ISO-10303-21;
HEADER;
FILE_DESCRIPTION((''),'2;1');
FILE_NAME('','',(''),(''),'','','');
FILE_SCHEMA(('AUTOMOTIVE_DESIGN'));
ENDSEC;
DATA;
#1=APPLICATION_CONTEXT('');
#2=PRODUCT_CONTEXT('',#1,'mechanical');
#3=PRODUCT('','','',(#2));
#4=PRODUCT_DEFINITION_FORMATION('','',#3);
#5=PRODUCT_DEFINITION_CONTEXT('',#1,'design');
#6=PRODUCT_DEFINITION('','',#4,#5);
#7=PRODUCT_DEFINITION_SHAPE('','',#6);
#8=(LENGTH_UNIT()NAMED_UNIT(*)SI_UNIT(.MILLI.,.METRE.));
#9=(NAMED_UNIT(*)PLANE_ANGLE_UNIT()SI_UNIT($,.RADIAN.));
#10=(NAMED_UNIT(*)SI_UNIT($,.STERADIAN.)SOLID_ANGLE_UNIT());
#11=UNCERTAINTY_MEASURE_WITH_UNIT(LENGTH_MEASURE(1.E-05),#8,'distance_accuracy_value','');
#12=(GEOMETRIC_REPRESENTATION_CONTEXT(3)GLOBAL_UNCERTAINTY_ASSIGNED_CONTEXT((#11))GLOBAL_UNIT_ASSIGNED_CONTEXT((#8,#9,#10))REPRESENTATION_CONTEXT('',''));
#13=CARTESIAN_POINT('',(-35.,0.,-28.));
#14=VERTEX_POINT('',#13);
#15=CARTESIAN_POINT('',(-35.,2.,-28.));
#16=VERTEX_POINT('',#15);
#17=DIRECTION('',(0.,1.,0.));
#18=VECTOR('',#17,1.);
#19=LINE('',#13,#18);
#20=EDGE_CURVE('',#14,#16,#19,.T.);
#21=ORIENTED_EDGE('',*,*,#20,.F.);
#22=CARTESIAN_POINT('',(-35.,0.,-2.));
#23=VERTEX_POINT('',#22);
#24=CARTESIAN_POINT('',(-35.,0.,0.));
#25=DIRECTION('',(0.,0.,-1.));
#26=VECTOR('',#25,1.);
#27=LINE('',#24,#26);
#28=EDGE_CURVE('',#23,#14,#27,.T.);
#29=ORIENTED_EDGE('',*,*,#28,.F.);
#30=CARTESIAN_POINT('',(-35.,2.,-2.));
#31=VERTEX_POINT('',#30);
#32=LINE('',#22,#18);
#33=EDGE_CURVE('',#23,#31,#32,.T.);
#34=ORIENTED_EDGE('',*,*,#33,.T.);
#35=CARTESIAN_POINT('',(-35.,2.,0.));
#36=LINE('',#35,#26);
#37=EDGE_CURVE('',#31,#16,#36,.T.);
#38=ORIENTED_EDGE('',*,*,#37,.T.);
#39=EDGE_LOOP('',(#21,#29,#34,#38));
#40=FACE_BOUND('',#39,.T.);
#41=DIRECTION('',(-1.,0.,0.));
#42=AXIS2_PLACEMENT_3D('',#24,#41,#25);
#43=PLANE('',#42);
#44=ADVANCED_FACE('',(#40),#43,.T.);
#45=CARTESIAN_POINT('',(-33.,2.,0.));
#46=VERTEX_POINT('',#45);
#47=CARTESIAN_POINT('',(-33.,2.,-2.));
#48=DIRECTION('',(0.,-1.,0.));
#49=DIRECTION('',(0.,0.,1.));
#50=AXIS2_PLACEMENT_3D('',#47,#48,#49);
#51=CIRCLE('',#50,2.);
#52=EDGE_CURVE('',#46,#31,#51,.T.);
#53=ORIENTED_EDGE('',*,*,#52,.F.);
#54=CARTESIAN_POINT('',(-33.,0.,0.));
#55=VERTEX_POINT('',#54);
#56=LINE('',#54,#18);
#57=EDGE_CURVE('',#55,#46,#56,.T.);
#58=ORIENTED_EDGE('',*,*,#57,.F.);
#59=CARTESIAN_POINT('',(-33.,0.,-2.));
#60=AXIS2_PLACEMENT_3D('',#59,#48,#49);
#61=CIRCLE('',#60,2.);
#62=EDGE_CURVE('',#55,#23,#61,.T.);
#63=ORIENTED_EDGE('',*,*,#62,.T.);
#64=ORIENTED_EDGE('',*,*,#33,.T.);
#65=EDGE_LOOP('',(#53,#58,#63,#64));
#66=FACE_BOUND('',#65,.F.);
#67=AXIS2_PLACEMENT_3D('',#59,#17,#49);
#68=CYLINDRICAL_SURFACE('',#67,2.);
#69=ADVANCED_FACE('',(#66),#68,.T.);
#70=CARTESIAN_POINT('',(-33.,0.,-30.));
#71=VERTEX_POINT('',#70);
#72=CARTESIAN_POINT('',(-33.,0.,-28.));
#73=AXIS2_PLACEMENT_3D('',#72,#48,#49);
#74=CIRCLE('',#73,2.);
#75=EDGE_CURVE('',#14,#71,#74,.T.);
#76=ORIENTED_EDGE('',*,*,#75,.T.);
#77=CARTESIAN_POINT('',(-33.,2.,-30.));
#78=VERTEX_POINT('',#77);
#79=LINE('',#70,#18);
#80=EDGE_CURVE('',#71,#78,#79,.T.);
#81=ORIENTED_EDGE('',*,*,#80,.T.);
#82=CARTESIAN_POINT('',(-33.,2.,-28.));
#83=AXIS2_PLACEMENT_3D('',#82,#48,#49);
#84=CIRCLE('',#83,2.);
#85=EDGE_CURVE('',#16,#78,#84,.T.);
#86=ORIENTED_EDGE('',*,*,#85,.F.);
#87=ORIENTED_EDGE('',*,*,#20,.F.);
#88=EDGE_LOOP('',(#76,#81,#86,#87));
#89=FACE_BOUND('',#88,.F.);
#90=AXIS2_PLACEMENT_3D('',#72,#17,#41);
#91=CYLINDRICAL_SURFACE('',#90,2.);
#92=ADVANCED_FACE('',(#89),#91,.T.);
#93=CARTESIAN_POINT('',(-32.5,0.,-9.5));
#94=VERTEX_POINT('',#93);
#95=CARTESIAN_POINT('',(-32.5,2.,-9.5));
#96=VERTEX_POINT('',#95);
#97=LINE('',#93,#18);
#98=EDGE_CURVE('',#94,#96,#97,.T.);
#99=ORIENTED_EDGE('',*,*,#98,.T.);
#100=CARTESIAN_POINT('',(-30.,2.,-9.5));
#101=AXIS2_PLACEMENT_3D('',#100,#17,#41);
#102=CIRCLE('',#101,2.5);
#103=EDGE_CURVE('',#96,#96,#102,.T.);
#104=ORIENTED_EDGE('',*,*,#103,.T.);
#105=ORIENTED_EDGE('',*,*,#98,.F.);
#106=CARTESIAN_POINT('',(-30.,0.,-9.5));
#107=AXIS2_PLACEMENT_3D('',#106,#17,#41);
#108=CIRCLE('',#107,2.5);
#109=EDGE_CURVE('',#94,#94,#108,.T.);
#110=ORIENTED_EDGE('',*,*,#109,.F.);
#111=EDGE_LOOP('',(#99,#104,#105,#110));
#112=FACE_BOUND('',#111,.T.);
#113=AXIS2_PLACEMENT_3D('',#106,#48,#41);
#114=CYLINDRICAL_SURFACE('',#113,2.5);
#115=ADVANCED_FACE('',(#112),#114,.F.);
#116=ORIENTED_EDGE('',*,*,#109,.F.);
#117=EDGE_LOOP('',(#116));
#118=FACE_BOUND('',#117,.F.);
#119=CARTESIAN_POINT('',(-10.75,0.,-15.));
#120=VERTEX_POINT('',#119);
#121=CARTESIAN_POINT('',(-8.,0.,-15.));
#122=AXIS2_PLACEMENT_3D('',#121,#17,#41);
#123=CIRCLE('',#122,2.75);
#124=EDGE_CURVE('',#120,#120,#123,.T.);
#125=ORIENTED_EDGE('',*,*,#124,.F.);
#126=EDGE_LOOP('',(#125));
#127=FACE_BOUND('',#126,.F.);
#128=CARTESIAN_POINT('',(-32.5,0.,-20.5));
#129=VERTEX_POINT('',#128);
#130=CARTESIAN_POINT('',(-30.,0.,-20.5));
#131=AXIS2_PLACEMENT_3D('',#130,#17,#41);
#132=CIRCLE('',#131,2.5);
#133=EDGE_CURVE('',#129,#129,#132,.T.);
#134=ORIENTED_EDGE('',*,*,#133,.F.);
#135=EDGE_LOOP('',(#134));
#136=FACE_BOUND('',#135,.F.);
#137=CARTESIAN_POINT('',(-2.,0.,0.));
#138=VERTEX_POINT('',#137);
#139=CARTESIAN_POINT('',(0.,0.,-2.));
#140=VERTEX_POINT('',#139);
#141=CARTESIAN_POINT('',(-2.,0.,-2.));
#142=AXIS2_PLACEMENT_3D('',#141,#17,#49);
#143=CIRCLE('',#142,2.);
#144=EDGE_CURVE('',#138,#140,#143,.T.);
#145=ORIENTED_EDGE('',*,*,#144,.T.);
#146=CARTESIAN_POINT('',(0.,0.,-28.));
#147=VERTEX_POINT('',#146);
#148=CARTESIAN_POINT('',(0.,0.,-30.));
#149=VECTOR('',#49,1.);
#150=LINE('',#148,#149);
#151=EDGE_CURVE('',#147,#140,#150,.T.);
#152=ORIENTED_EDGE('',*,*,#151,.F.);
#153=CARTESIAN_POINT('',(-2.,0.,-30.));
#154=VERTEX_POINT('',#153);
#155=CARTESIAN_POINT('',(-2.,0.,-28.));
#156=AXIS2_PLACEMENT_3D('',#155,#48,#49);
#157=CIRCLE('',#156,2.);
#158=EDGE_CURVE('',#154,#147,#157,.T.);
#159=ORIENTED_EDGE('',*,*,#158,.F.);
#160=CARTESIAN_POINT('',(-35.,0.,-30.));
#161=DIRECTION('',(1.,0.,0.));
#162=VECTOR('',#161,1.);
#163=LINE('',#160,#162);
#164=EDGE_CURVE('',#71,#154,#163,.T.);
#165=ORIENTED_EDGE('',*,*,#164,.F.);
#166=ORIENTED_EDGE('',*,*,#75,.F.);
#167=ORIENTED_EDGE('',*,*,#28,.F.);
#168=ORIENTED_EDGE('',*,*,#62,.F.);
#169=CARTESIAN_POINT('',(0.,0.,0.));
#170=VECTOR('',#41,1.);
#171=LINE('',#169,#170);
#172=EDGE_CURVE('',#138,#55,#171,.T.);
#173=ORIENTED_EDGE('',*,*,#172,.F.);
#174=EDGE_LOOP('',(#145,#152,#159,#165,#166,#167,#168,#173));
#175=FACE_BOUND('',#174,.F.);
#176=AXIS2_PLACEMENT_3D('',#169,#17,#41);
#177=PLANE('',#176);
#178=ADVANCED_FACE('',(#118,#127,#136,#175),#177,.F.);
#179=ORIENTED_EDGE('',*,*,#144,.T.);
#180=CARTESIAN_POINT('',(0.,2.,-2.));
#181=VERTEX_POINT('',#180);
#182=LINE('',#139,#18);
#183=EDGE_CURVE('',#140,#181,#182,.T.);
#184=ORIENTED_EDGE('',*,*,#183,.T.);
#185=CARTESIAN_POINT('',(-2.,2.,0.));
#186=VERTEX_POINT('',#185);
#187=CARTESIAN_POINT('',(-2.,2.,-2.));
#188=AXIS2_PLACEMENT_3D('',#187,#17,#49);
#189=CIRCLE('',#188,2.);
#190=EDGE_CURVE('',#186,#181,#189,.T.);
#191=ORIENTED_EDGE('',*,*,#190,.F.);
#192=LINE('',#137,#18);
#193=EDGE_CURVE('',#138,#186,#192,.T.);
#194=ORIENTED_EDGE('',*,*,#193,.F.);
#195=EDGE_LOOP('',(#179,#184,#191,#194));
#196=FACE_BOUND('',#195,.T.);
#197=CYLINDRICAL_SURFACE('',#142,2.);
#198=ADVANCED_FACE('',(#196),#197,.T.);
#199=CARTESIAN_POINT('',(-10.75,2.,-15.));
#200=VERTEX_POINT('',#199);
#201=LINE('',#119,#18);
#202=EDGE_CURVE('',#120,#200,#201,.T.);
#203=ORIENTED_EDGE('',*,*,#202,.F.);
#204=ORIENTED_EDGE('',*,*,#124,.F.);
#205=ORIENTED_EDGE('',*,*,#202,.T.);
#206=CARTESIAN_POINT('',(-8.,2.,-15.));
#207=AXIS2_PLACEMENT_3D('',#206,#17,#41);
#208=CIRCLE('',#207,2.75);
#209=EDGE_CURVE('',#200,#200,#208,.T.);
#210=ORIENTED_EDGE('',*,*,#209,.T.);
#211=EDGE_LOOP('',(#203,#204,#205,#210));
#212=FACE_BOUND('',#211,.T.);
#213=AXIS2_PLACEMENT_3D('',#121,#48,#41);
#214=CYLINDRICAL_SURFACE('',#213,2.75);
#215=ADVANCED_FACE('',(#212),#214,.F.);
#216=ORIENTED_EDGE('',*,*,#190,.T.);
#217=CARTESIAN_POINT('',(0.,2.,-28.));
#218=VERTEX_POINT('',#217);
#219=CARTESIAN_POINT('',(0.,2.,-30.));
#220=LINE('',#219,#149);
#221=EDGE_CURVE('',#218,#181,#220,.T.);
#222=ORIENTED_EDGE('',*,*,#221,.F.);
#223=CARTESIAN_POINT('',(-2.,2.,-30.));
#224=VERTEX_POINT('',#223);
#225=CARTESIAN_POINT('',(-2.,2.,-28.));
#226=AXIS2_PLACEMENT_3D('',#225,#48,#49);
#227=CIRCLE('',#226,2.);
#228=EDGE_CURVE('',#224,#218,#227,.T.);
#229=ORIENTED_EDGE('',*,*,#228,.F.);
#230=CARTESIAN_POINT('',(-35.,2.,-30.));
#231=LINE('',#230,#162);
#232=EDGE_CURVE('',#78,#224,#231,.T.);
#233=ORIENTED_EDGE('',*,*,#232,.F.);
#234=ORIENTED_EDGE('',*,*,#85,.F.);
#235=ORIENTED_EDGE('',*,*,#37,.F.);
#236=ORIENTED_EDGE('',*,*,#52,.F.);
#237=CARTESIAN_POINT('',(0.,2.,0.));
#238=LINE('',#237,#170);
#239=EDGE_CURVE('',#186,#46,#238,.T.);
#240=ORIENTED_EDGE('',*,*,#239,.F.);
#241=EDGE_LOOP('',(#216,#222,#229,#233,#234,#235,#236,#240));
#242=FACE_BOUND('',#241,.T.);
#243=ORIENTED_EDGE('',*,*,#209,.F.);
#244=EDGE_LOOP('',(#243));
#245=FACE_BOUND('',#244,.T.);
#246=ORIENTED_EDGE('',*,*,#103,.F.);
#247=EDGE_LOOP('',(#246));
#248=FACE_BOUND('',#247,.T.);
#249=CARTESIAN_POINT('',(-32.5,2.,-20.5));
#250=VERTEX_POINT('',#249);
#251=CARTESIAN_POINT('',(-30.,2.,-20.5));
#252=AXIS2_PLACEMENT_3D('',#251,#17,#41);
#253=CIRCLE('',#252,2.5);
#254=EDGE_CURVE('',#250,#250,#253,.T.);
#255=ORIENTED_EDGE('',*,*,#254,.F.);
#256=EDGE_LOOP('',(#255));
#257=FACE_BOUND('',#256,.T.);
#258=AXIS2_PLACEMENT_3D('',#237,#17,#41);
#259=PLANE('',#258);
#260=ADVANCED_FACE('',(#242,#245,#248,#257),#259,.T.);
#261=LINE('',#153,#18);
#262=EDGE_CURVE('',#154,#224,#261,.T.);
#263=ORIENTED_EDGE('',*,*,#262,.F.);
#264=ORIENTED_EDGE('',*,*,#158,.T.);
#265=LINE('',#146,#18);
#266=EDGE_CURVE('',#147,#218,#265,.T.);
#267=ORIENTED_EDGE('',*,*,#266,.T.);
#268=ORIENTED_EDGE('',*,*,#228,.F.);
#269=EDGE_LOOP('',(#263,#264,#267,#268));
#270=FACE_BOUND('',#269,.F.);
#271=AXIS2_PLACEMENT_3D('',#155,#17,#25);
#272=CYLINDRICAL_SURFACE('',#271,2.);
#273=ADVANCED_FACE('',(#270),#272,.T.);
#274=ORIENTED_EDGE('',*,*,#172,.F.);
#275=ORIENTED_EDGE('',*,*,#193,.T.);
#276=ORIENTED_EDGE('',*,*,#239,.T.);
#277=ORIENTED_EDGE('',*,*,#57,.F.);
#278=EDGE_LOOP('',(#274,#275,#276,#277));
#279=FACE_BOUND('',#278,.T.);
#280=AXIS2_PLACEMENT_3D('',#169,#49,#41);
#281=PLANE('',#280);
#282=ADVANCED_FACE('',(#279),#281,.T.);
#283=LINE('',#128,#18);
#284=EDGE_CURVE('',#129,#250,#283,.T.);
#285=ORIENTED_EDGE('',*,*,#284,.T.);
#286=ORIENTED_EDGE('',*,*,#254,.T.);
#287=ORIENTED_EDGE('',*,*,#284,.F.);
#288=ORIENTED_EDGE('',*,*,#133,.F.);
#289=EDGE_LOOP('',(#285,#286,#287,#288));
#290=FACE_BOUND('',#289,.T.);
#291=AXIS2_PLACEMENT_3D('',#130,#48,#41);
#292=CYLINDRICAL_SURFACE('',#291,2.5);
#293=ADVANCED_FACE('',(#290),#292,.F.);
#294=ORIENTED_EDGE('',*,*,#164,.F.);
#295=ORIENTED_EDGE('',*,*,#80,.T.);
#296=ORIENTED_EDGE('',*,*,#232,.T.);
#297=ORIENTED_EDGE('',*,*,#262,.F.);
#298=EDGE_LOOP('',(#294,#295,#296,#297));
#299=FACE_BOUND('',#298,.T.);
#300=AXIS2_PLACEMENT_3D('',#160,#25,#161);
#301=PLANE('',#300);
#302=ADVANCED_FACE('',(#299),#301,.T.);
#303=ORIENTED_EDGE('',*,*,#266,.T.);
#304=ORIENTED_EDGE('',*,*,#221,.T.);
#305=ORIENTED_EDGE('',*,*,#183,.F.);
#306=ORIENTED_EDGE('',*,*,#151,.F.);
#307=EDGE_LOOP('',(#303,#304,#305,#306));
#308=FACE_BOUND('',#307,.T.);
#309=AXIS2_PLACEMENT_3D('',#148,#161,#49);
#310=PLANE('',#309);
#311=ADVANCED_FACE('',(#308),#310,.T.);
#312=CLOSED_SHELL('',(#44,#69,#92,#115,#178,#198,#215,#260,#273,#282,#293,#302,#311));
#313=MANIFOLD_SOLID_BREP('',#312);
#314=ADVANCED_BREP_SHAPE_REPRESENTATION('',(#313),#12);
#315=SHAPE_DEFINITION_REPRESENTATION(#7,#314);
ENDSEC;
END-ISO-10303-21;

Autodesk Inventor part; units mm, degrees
ref_plane "YZ Plane" through (0, 0, 0) normal (1, 0, 0) x (0, 1, 0)
ref_plane "XZ Plane" through (0, 0, 0) normal (0, 1, 0) x (-1, 0, 0)
ref_plane "XY Plane" through (0, 0, 0) normal (0, 0, 1) x (1, 0, 0)
sketch "Sketch1" plane through (0, 0, 0) normal (0, 1, 0) x (-1, 0, 0)
  line L0 (0, 0) -> (35, 0)
  line L1 (35, 0) -> (35, -30)
  line L2 (35, -30) -> (0, -30)
  line L3 (0, -30) -> (0, 0)
  circle A0 centre (30, -9.5) radius 2.5
  circle A1 centre (30, -20.5) radius 2.5
  line L4 (30, -9.5) -> (30, -20.5) construction
  circle A2 centre (8, -15) radius 2.75
  point P0 (35, -15)
  point P1 (30, -15)
  point P2 (0, -15)
  dimension "d0" = 30
  dimension "d1" = 35
  dimension "d2" = 5
  dimension "d3" = 5
  dimension "d4" = 11
  dimension "d5" = 5
  dimension "d6" = 5.5
  dimension "d7" = 8
extrude "Extrusion1" add sketch "Sketch1" along normal blind 2
fillet "Fillet1" radius 2 4 edges at (0, 1, -30) (0, 1, 0) (-35, 1, 0) (-35, 1, -30)
equation "\"d3\" = d2"
